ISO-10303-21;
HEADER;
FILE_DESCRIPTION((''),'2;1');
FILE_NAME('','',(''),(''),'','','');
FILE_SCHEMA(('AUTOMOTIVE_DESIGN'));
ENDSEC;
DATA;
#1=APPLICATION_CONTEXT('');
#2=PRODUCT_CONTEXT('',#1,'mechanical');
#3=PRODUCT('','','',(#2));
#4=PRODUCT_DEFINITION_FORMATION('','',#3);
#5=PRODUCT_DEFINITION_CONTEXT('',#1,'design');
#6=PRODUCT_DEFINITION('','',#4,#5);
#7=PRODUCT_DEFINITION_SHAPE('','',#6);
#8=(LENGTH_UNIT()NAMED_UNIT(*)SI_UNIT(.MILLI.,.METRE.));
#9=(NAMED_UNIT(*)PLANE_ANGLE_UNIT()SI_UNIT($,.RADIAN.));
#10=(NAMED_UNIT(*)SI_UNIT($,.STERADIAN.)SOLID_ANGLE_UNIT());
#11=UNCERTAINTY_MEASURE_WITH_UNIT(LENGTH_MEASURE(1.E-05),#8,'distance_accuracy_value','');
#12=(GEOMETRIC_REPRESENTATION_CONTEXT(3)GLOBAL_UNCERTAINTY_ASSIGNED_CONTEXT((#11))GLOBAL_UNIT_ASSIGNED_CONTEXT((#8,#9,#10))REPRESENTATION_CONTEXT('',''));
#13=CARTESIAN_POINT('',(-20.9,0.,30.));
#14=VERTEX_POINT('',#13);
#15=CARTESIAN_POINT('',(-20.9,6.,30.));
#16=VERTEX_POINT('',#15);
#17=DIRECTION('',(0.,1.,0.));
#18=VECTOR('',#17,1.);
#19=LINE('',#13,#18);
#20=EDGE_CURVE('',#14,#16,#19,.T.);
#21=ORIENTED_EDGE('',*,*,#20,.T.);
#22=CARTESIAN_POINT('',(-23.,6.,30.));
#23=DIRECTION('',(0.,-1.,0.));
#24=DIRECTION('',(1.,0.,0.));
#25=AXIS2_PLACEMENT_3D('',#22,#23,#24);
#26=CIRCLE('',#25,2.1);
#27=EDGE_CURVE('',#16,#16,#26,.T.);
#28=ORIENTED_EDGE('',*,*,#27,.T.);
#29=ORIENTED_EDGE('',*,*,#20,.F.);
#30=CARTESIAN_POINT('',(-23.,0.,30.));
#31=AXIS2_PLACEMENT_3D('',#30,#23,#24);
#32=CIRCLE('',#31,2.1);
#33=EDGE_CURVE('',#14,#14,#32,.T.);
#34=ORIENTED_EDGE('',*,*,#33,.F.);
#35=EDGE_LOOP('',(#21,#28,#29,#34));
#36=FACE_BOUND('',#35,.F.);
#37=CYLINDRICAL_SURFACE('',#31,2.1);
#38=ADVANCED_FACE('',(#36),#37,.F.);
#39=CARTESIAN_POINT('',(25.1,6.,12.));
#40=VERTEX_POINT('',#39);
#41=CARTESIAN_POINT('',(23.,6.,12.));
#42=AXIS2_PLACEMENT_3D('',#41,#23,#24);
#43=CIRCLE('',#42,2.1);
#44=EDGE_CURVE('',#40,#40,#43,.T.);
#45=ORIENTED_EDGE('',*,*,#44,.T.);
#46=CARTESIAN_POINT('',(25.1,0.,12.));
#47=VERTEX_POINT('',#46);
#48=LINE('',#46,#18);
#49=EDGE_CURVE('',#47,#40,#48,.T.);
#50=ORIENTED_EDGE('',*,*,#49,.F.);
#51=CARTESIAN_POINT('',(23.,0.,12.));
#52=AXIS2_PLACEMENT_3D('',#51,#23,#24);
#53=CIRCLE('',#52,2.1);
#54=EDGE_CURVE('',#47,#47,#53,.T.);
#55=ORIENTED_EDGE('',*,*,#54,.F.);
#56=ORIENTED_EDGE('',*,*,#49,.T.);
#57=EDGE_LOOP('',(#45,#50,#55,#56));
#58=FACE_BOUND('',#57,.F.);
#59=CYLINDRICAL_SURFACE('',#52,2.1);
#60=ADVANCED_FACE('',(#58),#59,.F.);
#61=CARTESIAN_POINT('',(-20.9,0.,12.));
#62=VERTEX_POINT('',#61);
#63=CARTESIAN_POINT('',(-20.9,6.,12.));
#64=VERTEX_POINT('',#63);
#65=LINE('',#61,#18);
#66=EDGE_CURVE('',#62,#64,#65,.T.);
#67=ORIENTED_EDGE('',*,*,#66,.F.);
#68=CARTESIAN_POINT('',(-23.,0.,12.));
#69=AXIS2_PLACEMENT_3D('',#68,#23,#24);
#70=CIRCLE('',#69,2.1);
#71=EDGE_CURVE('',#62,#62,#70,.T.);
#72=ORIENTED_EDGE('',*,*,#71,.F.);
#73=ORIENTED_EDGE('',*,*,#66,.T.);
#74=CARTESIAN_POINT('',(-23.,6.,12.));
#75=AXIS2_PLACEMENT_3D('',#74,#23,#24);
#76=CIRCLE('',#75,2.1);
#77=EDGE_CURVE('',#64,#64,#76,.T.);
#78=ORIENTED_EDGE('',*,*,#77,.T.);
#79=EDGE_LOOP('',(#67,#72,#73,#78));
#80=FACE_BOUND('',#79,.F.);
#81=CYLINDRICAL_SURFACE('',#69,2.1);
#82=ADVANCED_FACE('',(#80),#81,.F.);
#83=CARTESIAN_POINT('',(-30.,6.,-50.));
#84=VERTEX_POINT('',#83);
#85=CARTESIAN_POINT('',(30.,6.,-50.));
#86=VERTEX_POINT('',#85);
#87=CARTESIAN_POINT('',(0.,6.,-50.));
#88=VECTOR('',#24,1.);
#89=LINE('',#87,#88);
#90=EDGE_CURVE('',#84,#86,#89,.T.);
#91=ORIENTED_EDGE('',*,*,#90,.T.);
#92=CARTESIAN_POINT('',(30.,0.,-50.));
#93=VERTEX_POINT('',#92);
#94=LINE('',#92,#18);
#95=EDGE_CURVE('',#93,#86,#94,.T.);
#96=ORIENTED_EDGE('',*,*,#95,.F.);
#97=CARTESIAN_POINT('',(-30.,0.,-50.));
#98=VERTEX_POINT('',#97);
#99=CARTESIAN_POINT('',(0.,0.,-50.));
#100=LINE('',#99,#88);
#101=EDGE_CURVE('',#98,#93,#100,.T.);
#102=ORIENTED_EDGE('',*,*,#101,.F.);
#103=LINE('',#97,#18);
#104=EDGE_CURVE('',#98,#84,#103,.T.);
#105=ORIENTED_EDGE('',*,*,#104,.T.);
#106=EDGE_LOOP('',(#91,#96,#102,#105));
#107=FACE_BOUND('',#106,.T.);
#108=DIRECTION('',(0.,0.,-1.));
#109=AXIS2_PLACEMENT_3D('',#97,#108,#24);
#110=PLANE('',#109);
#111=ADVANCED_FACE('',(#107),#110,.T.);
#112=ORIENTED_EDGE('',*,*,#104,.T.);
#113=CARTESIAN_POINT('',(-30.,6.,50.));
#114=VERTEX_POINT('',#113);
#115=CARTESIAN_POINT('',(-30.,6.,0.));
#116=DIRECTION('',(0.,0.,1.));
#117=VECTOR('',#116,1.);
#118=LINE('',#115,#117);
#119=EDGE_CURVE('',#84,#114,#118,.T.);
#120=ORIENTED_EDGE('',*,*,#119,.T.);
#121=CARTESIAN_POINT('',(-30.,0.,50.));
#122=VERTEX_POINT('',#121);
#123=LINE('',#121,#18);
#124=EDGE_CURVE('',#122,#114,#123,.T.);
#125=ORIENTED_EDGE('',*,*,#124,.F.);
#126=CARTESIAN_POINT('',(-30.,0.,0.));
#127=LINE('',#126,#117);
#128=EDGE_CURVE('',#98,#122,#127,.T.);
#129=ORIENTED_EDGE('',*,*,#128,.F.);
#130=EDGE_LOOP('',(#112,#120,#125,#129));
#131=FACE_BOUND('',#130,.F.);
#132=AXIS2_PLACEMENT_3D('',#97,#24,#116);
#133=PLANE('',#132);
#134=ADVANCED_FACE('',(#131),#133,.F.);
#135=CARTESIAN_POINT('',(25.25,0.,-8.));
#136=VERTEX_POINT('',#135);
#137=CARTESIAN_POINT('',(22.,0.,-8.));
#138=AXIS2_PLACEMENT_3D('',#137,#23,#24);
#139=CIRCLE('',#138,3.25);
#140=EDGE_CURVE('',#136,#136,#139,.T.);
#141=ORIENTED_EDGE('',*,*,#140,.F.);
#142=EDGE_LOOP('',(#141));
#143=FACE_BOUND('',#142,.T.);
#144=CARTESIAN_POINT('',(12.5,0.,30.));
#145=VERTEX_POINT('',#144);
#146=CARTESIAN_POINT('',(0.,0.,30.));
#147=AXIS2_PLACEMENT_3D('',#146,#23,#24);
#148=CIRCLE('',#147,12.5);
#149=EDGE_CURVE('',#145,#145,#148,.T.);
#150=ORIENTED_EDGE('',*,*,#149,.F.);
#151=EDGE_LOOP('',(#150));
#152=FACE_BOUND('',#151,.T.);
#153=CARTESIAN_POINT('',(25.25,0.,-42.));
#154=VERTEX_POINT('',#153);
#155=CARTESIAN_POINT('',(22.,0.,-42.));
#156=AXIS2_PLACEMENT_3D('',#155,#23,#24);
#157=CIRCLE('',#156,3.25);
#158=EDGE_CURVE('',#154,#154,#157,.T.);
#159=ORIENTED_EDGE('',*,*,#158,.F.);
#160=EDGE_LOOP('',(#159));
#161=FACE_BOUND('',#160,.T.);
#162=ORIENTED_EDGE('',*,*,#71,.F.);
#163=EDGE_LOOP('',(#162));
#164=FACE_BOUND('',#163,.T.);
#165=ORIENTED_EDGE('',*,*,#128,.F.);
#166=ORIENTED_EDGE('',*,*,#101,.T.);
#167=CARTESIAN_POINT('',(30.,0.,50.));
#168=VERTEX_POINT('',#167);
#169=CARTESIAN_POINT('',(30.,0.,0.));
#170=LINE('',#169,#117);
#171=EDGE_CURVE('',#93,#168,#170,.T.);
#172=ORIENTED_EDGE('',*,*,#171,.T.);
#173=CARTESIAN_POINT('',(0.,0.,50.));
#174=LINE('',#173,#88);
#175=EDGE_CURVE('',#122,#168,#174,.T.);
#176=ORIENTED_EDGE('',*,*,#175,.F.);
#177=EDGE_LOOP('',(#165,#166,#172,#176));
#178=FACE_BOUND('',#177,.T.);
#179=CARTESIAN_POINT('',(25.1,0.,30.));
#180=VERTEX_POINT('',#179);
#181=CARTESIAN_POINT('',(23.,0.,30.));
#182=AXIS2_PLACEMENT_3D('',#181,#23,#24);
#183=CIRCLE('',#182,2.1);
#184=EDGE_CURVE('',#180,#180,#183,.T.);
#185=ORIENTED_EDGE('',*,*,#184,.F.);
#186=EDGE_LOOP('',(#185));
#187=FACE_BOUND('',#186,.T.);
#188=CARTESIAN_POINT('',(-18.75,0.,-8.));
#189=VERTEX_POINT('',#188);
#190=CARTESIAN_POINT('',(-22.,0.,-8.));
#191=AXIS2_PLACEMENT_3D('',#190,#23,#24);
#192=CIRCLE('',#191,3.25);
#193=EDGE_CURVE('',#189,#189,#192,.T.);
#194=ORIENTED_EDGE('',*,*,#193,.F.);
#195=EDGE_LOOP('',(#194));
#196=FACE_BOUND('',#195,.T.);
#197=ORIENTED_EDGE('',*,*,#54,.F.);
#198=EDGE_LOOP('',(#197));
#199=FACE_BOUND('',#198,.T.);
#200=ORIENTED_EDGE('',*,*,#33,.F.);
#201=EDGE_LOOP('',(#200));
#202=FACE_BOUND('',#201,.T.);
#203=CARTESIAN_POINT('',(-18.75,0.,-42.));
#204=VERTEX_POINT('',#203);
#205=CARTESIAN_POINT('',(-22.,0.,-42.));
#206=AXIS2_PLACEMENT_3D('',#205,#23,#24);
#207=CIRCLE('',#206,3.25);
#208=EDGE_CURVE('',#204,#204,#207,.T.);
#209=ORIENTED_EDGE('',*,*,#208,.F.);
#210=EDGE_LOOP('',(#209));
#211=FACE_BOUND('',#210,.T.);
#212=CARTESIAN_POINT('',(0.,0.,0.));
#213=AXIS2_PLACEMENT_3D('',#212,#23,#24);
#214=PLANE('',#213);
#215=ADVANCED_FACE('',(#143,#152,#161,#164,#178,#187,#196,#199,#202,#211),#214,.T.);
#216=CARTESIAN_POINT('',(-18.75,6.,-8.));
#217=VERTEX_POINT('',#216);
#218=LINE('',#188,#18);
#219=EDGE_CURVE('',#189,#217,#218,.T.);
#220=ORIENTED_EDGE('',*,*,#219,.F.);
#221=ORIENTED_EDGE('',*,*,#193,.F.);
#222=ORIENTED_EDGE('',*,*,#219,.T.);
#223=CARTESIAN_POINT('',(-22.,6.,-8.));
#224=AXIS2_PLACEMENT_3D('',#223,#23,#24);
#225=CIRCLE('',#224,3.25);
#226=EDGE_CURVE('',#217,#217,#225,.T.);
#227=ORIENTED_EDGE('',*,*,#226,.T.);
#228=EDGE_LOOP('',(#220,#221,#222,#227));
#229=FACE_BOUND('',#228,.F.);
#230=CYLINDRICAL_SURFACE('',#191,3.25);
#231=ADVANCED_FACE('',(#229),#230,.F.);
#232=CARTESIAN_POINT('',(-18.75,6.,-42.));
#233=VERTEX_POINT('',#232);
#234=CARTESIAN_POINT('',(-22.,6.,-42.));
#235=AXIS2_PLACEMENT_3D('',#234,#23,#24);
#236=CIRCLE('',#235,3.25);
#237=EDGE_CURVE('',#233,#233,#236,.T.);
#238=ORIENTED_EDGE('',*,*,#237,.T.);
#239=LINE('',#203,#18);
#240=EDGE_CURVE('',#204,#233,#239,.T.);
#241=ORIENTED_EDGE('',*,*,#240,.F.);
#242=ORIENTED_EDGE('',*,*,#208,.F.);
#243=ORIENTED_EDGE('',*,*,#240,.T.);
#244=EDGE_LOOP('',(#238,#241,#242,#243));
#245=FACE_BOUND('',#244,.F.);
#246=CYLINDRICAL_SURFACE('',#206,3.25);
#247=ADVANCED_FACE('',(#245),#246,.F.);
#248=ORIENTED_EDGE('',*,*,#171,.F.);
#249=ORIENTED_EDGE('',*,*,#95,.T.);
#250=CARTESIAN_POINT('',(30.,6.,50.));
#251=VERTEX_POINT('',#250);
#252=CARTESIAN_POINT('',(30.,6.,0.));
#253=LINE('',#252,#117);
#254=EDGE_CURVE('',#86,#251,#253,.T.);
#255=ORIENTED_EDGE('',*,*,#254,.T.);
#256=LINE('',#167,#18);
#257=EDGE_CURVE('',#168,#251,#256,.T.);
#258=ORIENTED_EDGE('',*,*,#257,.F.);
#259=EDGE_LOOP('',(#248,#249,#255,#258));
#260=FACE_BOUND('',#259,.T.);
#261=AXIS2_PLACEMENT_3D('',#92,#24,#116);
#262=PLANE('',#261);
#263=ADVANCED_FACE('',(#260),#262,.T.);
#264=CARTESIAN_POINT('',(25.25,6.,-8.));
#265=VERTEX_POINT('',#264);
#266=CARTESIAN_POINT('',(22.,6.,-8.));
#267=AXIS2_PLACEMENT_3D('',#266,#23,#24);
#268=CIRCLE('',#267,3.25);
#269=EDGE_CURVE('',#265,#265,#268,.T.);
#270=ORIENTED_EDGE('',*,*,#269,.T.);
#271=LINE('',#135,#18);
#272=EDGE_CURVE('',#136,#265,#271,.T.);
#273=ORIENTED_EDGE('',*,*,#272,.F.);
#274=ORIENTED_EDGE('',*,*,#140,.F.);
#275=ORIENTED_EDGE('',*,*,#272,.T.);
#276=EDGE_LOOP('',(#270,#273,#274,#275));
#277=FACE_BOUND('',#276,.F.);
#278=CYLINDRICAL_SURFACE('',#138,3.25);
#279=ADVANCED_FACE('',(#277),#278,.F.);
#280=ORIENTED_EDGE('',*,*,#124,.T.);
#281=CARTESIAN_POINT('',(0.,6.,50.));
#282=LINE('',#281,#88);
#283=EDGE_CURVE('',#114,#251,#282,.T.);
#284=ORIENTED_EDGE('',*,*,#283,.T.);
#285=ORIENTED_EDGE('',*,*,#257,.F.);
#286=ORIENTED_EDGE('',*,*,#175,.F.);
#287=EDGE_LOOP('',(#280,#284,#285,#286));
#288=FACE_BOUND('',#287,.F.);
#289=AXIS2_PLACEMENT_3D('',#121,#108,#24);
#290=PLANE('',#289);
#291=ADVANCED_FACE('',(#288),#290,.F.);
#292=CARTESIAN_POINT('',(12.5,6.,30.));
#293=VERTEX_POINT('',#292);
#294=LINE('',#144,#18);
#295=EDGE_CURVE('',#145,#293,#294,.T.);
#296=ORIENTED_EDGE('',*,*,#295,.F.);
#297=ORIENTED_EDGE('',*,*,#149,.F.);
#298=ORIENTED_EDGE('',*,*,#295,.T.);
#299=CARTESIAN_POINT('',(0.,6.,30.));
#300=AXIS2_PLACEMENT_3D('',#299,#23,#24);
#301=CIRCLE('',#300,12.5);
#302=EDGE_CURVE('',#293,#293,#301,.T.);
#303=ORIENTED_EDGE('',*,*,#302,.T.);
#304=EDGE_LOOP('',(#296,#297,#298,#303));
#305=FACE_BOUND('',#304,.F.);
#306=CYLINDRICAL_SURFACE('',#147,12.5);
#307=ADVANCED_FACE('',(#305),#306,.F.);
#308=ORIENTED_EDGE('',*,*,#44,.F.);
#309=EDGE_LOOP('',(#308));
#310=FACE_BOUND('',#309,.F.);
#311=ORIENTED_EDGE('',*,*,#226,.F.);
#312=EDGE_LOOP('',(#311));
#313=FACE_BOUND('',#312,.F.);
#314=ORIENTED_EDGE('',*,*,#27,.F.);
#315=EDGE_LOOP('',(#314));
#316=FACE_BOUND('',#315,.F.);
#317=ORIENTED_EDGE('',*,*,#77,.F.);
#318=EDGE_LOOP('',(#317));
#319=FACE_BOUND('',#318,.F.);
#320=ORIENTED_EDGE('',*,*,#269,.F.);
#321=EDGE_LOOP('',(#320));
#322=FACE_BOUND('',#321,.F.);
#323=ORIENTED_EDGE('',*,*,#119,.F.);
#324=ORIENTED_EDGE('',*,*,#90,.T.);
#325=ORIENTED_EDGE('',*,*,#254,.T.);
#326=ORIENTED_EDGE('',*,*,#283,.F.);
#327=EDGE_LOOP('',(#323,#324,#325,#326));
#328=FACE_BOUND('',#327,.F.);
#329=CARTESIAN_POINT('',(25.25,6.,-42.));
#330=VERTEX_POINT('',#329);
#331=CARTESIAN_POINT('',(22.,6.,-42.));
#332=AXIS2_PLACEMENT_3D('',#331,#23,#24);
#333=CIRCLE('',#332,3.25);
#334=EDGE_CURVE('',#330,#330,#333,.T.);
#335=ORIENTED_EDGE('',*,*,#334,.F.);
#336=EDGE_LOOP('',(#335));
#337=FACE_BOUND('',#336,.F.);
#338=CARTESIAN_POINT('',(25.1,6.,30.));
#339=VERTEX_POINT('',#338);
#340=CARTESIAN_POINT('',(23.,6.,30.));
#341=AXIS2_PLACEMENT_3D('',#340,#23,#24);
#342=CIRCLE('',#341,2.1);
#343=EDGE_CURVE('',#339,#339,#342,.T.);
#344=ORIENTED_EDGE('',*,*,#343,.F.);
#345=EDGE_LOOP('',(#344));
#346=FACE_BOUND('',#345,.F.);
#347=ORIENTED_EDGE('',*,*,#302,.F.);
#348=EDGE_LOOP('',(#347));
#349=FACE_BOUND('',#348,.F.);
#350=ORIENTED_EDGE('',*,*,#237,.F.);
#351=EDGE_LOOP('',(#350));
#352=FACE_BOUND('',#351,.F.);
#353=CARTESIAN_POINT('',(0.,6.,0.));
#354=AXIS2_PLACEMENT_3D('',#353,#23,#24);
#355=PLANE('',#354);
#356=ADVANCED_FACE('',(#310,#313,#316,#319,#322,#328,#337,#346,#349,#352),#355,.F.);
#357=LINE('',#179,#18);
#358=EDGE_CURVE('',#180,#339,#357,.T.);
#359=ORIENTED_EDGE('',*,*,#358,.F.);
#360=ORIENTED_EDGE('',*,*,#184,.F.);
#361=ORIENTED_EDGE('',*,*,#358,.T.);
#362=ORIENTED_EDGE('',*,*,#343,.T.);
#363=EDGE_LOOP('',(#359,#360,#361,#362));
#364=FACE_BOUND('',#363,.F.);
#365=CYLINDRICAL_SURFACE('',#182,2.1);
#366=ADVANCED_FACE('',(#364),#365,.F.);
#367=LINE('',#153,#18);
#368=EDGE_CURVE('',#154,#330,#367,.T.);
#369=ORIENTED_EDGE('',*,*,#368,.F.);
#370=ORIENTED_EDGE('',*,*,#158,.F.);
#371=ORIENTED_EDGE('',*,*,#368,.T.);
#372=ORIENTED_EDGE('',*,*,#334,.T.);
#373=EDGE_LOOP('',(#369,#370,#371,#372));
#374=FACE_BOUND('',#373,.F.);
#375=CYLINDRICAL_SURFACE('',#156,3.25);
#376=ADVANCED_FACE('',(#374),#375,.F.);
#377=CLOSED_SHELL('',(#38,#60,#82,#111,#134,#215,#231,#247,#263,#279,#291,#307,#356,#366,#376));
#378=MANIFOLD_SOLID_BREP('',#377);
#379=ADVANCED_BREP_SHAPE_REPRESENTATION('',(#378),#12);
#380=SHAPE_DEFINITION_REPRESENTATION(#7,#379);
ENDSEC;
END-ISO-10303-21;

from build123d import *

# Parameters (mm, degrees)
F0_W     = 60
F0_H     = 100
F0_R     = 3.25
F0_R_2   = 2.1
F0_R_3   = 12.5
F1_DEPTH = 6


with BuildPart() as f1:
    # F0 (on Front) → F1 (new body)
    with BuildSketch(Plane.XZ):
        Rectangle(F0_W, F0_H)
        with Locations((-22, -42)):
            Circle(F0_R, mode=Mode.SUBTRACT)
        with Locations((-22, -8)):
            Circle(F0_R, mode=Mode.SUBTRACT)
        with Locations((22, -42)):
            Circle(F0_R, mode=Mode.SUBTRACT)
        with Locations((22, -8)):
            Circle(F0_R, mode=Mode.SUBTRACT)
        with Locations((-23, 12)):
            Circle(F0_R_2, mode=Mode.SUBTRACT)
        with Locations((-23, 30)):
            Circle(F0_R_2, mode=Mode.SUBTRACT)
        with Locations((23, 12)):
            Circle(F0_R_2, mode=Mode.SUBTRACT)
        with Locations((0, 30)):
            Circle(F0_R_3, mode=Mode.SUBTRACT)
        with Locations((23, 30)):
            Circle(F0_R_2, mode=Mode.SUBTRACT)
    extrude(amount=-F1_DEPTH)


solid = f1.part
